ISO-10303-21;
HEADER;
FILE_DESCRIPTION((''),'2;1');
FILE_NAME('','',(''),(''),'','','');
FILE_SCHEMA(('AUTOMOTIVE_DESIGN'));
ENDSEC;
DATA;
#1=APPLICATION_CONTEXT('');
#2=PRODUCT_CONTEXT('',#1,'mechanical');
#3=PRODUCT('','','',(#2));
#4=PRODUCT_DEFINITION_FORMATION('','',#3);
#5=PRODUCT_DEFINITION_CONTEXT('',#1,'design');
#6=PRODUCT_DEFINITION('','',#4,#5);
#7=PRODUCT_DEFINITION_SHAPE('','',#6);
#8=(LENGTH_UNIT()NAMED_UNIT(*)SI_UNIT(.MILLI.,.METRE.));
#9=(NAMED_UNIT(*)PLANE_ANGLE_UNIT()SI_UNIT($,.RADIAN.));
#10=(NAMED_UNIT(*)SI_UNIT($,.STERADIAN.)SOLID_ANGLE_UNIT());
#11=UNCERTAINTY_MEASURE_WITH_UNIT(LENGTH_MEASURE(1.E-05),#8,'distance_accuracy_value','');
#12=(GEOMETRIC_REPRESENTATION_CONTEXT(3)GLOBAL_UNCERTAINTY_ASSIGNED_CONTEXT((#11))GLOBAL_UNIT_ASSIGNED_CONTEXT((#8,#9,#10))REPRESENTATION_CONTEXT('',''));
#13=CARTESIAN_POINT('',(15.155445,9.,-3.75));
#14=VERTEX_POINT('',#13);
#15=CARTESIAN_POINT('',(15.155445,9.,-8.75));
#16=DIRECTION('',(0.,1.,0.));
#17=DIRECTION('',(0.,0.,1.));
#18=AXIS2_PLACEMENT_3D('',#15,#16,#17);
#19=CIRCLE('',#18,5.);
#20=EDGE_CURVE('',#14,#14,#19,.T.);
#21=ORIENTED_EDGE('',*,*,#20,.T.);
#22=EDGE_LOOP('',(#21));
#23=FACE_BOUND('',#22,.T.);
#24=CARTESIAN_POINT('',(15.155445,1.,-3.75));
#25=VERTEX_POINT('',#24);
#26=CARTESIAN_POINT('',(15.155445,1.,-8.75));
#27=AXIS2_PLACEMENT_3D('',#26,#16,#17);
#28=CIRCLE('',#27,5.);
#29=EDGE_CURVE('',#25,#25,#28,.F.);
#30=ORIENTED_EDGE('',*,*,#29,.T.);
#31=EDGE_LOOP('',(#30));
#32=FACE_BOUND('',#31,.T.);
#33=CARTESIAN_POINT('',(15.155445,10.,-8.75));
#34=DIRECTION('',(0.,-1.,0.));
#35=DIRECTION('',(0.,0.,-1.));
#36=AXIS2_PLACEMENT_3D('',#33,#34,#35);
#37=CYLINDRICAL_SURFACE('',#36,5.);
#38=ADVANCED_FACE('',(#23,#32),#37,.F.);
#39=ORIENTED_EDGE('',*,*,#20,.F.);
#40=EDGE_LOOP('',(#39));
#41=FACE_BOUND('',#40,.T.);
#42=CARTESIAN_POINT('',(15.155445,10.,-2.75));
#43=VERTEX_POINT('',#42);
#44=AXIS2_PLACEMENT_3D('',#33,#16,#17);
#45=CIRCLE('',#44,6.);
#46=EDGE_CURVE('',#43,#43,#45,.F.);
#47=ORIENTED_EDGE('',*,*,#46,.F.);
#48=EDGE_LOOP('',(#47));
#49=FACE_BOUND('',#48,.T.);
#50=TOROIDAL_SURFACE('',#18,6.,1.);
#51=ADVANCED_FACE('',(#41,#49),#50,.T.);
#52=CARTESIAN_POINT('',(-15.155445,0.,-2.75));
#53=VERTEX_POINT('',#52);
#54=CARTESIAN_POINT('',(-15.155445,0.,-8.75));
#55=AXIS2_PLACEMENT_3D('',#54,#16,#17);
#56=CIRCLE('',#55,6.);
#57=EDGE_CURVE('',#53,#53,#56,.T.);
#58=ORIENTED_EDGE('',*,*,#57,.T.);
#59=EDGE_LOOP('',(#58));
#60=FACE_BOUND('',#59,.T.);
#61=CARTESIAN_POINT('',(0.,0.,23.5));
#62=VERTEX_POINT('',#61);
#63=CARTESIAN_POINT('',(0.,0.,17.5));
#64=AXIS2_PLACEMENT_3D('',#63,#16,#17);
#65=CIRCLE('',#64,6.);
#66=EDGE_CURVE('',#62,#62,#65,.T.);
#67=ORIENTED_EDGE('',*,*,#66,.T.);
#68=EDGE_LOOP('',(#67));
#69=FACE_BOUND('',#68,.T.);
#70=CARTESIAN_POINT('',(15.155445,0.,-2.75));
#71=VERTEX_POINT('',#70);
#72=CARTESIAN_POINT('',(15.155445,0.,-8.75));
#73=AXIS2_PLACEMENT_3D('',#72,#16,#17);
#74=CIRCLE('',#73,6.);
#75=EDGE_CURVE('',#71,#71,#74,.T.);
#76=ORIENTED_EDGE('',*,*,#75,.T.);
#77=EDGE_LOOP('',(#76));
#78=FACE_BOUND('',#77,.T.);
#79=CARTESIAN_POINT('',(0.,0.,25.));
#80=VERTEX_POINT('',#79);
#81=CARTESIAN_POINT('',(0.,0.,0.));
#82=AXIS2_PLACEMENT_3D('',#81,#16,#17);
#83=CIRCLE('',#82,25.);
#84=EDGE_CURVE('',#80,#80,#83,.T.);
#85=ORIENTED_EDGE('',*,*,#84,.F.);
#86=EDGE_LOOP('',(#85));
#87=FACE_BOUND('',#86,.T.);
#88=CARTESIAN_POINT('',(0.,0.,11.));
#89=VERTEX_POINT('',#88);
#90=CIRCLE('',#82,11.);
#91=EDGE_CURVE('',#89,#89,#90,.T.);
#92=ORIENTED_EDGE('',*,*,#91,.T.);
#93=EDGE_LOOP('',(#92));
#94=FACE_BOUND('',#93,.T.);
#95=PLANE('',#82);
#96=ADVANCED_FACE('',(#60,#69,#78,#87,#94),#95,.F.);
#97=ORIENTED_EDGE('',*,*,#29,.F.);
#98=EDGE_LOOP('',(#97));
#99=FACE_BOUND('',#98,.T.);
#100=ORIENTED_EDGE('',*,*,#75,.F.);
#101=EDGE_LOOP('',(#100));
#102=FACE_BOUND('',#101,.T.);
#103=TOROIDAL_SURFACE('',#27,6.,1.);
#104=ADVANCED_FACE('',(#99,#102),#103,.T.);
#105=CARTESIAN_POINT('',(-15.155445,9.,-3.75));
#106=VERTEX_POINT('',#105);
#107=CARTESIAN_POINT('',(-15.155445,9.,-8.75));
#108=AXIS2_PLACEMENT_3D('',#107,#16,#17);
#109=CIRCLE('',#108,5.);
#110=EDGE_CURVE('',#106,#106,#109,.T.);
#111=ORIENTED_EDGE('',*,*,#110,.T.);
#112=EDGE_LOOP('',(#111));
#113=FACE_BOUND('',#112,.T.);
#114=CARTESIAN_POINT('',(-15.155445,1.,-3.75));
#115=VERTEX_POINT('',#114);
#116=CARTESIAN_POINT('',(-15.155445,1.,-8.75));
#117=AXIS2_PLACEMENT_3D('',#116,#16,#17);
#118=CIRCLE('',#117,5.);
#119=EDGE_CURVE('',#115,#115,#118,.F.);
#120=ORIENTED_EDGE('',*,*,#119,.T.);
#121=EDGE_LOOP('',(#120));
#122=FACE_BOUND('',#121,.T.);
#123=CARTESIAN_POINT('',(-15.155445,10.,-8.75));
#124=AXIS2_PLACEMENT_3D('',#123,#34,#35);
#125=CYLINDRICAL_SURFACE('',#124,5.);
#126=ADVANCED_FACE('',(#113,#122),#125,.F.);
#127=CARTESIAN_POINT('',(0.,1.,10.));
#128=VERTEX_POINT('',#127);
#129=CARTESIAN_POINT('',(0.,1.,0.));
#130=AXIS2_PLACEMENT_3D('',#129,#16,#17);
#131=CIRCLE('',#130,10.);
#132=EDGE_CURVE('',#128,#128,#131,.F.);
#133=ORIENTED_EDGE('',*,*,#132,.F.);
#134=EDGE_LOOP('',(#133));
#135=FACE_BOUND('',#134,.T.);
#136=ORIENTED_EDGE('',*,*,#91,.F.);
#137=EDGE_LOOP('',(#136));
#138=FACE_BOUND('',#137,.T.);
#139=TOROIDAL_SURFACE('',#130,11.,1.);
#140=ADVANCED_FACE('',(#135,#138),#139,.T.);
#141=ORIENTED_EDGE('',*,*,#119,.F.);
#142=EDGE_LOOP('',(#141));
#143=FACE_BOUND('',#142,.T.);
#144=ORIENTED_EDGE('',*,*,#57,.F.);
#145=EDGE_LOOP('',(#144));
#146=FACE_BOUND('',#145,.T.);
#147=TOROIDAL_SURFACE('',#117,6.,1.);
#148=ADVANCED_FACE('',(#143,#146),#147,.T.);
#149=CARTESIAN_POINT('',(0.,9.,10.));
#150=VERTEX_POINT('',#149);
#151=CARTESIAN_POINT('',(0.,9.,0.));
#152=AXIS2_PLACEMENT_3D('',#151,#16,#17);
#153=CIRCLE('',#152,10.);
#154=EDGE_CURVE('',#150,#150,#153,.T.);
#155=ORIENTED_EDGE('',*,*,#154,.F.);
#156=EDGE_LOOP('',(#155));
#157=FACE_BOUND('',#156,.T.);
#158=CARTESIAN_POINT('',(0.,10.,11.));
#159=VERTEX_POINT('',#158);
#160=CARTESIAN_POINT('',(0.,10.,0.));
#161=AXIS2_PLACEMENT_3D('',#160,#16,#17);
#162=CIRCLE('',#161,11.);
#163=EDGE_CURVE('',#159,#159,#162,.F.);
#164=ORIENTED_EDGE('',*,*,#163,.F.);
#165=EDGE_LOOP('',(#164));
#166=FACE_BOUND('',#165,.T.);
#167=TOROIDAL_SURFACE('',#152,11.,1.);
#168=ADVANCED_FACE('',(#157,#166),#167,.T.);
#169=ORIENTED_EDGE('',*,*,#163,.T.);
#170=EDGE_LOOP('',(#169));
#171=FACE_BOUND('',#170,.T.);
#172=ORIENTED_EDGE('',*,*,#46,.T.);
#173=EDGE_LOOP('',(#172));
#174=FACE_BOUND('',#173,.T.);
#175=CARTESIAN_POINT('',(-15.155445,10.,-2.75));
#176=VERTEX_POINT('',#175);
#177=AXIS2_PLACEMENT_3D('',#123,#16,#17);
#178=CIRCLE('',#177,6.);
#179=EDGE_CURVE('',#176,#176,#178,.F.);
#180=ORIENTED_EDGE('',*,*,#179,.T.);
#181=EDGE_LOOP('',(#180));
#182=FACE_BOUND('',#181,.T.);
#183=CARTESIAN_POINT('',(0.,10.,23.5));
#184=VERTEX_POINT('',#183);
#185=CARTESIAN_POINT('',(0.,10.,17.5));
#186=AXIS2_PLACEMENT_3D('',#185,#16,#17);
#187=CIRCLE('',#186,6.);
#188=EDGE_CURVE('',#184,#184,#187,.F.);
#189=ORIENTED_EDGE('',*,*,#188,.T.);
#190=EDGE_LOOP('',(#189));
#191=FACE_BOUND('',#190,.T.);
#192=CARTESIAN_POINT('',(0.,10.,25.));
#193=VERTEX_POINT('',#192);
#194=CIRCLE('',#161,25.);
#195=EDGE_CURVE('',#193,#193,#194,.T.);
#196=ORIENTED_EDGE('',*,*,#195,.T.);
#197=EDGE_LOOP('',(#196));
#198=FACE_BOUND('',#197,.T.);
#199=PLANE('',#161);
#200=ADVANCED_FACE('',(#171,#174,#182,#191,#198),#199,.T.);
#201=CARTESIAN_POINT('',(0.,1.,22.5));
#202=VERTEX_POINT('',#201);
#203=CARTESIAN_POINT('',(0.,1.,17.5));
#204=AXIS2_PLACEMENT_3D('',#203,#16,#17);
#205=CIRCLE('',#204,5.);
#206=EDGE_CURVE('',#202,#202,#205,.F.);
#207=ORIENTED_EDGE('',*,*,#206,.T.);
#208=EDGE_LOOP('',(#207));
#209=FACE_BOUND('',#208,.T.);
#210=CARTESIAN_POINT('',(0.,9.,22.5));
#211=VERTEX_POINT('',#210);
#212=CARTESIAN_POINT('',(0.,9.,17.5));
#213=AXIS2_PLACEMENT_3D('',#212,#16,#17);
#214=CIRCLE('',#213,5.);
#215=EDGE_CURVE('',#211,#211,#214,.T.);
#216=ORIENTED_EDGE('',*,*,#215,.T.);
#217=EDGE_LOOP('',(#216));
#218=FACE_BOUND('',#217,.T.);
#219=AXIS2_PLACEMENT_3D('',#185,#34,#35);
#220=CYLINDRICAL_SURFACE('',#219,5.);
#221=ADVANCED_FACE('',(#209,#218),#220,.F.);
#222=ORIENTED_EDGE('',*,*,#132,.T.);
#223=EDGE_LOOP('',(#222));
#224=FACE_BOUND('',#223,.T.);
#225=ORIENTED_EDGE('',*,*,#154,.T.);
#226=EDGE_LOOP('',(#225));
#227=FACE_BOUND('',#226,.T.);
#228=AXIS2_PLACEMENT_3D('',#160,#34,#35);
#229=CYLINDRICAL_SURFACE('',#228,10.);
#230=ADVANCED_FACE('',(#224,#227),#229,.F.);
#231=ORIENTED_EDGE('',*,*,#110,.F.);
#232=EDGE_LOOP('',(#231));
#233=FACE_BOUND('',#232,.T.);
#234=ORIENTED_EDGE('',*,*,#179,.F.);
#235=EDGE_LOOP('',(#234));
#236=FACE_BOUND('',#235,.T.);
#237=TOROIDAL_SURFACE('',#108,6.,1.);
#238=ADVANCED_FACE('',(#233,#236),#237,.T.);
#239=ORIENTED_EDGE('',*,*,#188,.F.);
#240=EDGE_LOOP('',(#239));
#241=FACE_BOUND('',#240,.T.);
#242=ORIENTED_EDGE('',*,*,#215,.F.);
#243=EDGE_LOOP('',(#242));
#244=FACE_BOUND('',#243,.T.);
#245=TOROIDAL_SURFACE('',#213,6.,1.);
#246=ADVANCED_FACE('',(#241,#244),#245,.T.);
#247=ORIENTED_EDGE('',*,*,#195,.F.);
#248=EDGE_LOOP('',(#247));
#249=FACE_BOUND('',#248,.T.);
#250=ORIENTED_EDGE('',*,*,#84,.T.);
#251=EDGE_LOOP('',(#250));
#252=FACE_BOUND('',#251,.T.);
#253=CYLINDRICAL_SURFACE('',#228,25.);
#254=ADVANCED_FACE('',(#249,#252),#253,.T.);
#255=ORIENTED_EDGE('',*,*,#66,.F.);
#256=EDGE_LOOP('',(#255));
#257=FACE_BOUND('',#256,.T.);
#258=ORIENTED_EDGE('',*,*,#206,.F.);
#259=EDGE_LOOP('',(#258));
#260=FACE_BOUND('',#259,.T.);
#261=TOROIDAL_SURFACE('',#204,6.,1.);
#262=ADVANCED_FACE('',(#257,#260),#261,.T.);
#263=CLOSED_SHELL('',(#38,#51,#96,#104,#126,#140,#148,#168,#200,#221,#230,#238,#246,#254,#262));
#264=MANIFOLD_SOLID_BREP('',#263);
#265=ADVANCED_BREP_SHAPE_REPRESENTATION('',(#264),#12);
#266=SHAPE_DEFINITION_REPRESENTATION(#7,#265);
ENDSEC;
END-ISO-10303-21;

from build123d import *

# Parameters (mm, degrees)
SKETCH1_R           = 25
SKETCH1_R_2         = 10
BOSS_EXTRUDE1_DEPTH = 10
SKETCH2_R           = 5
CUT_EXTRUDE1_DEPTH  = 10
FILLET1_R           = 1


with BuildPart() as part:
    # Sketch1 → Boss-Extrude1 (new body)
    with BuildSketch(Plane(origin=(0, 0, 0), x_dir=(1, 0, 0), z_dir=(0, 1, 0))):
        with Locations(Location((0, 0, 0), (0, 0, 270))):
            Circle(SKETCH1_R)
        with Locations(Location((0, 0, 0), (0, 0, 270))):
            Circle(SKETCH1_R_2, mode=Mode.SUBTRACT)
    extrude(amount=BOSS_EXTRUDE1_DEPTH)

    # Sketch2 → Cut-Extrude1 (cut)
    with BuildSketch(Plane.XZ):
        with Locations(Location((0, 17.5, 0), (0, 0, 270))):
            Circle(SKETCH2_R)
        with Locations(Location((15.155444566, -8.75, 0), (0, 0, 270))):
            Circle(SKETCH2_R)
        with Locations(Location((-15.155444566, -8.75, 0), (0, 0, 270))):
            Circle(SKETCH2_R)
    extrude(amount=-CUT_EXTRUDE1_DEPTH, mode=Mode.SUBTRACT)

    # Fillet1
    fillet1_edges = [part.edges().sort_by_distance(p)[0] for p in [
        (0, 10, 22.5),
        (0, 0, 22.5),
        (15.155444566, 10, -3.75),
        (15.155444566, 0, -3.75),
        (-15.155444566, 10, -3.75),
        (-15.155444566, 0, -3.75),
        (0, 0, -10),
        (0, 10, -10),
    ]]
    fillet(fillet1_edges, radius=FILLET1_R)


solid = part.part
